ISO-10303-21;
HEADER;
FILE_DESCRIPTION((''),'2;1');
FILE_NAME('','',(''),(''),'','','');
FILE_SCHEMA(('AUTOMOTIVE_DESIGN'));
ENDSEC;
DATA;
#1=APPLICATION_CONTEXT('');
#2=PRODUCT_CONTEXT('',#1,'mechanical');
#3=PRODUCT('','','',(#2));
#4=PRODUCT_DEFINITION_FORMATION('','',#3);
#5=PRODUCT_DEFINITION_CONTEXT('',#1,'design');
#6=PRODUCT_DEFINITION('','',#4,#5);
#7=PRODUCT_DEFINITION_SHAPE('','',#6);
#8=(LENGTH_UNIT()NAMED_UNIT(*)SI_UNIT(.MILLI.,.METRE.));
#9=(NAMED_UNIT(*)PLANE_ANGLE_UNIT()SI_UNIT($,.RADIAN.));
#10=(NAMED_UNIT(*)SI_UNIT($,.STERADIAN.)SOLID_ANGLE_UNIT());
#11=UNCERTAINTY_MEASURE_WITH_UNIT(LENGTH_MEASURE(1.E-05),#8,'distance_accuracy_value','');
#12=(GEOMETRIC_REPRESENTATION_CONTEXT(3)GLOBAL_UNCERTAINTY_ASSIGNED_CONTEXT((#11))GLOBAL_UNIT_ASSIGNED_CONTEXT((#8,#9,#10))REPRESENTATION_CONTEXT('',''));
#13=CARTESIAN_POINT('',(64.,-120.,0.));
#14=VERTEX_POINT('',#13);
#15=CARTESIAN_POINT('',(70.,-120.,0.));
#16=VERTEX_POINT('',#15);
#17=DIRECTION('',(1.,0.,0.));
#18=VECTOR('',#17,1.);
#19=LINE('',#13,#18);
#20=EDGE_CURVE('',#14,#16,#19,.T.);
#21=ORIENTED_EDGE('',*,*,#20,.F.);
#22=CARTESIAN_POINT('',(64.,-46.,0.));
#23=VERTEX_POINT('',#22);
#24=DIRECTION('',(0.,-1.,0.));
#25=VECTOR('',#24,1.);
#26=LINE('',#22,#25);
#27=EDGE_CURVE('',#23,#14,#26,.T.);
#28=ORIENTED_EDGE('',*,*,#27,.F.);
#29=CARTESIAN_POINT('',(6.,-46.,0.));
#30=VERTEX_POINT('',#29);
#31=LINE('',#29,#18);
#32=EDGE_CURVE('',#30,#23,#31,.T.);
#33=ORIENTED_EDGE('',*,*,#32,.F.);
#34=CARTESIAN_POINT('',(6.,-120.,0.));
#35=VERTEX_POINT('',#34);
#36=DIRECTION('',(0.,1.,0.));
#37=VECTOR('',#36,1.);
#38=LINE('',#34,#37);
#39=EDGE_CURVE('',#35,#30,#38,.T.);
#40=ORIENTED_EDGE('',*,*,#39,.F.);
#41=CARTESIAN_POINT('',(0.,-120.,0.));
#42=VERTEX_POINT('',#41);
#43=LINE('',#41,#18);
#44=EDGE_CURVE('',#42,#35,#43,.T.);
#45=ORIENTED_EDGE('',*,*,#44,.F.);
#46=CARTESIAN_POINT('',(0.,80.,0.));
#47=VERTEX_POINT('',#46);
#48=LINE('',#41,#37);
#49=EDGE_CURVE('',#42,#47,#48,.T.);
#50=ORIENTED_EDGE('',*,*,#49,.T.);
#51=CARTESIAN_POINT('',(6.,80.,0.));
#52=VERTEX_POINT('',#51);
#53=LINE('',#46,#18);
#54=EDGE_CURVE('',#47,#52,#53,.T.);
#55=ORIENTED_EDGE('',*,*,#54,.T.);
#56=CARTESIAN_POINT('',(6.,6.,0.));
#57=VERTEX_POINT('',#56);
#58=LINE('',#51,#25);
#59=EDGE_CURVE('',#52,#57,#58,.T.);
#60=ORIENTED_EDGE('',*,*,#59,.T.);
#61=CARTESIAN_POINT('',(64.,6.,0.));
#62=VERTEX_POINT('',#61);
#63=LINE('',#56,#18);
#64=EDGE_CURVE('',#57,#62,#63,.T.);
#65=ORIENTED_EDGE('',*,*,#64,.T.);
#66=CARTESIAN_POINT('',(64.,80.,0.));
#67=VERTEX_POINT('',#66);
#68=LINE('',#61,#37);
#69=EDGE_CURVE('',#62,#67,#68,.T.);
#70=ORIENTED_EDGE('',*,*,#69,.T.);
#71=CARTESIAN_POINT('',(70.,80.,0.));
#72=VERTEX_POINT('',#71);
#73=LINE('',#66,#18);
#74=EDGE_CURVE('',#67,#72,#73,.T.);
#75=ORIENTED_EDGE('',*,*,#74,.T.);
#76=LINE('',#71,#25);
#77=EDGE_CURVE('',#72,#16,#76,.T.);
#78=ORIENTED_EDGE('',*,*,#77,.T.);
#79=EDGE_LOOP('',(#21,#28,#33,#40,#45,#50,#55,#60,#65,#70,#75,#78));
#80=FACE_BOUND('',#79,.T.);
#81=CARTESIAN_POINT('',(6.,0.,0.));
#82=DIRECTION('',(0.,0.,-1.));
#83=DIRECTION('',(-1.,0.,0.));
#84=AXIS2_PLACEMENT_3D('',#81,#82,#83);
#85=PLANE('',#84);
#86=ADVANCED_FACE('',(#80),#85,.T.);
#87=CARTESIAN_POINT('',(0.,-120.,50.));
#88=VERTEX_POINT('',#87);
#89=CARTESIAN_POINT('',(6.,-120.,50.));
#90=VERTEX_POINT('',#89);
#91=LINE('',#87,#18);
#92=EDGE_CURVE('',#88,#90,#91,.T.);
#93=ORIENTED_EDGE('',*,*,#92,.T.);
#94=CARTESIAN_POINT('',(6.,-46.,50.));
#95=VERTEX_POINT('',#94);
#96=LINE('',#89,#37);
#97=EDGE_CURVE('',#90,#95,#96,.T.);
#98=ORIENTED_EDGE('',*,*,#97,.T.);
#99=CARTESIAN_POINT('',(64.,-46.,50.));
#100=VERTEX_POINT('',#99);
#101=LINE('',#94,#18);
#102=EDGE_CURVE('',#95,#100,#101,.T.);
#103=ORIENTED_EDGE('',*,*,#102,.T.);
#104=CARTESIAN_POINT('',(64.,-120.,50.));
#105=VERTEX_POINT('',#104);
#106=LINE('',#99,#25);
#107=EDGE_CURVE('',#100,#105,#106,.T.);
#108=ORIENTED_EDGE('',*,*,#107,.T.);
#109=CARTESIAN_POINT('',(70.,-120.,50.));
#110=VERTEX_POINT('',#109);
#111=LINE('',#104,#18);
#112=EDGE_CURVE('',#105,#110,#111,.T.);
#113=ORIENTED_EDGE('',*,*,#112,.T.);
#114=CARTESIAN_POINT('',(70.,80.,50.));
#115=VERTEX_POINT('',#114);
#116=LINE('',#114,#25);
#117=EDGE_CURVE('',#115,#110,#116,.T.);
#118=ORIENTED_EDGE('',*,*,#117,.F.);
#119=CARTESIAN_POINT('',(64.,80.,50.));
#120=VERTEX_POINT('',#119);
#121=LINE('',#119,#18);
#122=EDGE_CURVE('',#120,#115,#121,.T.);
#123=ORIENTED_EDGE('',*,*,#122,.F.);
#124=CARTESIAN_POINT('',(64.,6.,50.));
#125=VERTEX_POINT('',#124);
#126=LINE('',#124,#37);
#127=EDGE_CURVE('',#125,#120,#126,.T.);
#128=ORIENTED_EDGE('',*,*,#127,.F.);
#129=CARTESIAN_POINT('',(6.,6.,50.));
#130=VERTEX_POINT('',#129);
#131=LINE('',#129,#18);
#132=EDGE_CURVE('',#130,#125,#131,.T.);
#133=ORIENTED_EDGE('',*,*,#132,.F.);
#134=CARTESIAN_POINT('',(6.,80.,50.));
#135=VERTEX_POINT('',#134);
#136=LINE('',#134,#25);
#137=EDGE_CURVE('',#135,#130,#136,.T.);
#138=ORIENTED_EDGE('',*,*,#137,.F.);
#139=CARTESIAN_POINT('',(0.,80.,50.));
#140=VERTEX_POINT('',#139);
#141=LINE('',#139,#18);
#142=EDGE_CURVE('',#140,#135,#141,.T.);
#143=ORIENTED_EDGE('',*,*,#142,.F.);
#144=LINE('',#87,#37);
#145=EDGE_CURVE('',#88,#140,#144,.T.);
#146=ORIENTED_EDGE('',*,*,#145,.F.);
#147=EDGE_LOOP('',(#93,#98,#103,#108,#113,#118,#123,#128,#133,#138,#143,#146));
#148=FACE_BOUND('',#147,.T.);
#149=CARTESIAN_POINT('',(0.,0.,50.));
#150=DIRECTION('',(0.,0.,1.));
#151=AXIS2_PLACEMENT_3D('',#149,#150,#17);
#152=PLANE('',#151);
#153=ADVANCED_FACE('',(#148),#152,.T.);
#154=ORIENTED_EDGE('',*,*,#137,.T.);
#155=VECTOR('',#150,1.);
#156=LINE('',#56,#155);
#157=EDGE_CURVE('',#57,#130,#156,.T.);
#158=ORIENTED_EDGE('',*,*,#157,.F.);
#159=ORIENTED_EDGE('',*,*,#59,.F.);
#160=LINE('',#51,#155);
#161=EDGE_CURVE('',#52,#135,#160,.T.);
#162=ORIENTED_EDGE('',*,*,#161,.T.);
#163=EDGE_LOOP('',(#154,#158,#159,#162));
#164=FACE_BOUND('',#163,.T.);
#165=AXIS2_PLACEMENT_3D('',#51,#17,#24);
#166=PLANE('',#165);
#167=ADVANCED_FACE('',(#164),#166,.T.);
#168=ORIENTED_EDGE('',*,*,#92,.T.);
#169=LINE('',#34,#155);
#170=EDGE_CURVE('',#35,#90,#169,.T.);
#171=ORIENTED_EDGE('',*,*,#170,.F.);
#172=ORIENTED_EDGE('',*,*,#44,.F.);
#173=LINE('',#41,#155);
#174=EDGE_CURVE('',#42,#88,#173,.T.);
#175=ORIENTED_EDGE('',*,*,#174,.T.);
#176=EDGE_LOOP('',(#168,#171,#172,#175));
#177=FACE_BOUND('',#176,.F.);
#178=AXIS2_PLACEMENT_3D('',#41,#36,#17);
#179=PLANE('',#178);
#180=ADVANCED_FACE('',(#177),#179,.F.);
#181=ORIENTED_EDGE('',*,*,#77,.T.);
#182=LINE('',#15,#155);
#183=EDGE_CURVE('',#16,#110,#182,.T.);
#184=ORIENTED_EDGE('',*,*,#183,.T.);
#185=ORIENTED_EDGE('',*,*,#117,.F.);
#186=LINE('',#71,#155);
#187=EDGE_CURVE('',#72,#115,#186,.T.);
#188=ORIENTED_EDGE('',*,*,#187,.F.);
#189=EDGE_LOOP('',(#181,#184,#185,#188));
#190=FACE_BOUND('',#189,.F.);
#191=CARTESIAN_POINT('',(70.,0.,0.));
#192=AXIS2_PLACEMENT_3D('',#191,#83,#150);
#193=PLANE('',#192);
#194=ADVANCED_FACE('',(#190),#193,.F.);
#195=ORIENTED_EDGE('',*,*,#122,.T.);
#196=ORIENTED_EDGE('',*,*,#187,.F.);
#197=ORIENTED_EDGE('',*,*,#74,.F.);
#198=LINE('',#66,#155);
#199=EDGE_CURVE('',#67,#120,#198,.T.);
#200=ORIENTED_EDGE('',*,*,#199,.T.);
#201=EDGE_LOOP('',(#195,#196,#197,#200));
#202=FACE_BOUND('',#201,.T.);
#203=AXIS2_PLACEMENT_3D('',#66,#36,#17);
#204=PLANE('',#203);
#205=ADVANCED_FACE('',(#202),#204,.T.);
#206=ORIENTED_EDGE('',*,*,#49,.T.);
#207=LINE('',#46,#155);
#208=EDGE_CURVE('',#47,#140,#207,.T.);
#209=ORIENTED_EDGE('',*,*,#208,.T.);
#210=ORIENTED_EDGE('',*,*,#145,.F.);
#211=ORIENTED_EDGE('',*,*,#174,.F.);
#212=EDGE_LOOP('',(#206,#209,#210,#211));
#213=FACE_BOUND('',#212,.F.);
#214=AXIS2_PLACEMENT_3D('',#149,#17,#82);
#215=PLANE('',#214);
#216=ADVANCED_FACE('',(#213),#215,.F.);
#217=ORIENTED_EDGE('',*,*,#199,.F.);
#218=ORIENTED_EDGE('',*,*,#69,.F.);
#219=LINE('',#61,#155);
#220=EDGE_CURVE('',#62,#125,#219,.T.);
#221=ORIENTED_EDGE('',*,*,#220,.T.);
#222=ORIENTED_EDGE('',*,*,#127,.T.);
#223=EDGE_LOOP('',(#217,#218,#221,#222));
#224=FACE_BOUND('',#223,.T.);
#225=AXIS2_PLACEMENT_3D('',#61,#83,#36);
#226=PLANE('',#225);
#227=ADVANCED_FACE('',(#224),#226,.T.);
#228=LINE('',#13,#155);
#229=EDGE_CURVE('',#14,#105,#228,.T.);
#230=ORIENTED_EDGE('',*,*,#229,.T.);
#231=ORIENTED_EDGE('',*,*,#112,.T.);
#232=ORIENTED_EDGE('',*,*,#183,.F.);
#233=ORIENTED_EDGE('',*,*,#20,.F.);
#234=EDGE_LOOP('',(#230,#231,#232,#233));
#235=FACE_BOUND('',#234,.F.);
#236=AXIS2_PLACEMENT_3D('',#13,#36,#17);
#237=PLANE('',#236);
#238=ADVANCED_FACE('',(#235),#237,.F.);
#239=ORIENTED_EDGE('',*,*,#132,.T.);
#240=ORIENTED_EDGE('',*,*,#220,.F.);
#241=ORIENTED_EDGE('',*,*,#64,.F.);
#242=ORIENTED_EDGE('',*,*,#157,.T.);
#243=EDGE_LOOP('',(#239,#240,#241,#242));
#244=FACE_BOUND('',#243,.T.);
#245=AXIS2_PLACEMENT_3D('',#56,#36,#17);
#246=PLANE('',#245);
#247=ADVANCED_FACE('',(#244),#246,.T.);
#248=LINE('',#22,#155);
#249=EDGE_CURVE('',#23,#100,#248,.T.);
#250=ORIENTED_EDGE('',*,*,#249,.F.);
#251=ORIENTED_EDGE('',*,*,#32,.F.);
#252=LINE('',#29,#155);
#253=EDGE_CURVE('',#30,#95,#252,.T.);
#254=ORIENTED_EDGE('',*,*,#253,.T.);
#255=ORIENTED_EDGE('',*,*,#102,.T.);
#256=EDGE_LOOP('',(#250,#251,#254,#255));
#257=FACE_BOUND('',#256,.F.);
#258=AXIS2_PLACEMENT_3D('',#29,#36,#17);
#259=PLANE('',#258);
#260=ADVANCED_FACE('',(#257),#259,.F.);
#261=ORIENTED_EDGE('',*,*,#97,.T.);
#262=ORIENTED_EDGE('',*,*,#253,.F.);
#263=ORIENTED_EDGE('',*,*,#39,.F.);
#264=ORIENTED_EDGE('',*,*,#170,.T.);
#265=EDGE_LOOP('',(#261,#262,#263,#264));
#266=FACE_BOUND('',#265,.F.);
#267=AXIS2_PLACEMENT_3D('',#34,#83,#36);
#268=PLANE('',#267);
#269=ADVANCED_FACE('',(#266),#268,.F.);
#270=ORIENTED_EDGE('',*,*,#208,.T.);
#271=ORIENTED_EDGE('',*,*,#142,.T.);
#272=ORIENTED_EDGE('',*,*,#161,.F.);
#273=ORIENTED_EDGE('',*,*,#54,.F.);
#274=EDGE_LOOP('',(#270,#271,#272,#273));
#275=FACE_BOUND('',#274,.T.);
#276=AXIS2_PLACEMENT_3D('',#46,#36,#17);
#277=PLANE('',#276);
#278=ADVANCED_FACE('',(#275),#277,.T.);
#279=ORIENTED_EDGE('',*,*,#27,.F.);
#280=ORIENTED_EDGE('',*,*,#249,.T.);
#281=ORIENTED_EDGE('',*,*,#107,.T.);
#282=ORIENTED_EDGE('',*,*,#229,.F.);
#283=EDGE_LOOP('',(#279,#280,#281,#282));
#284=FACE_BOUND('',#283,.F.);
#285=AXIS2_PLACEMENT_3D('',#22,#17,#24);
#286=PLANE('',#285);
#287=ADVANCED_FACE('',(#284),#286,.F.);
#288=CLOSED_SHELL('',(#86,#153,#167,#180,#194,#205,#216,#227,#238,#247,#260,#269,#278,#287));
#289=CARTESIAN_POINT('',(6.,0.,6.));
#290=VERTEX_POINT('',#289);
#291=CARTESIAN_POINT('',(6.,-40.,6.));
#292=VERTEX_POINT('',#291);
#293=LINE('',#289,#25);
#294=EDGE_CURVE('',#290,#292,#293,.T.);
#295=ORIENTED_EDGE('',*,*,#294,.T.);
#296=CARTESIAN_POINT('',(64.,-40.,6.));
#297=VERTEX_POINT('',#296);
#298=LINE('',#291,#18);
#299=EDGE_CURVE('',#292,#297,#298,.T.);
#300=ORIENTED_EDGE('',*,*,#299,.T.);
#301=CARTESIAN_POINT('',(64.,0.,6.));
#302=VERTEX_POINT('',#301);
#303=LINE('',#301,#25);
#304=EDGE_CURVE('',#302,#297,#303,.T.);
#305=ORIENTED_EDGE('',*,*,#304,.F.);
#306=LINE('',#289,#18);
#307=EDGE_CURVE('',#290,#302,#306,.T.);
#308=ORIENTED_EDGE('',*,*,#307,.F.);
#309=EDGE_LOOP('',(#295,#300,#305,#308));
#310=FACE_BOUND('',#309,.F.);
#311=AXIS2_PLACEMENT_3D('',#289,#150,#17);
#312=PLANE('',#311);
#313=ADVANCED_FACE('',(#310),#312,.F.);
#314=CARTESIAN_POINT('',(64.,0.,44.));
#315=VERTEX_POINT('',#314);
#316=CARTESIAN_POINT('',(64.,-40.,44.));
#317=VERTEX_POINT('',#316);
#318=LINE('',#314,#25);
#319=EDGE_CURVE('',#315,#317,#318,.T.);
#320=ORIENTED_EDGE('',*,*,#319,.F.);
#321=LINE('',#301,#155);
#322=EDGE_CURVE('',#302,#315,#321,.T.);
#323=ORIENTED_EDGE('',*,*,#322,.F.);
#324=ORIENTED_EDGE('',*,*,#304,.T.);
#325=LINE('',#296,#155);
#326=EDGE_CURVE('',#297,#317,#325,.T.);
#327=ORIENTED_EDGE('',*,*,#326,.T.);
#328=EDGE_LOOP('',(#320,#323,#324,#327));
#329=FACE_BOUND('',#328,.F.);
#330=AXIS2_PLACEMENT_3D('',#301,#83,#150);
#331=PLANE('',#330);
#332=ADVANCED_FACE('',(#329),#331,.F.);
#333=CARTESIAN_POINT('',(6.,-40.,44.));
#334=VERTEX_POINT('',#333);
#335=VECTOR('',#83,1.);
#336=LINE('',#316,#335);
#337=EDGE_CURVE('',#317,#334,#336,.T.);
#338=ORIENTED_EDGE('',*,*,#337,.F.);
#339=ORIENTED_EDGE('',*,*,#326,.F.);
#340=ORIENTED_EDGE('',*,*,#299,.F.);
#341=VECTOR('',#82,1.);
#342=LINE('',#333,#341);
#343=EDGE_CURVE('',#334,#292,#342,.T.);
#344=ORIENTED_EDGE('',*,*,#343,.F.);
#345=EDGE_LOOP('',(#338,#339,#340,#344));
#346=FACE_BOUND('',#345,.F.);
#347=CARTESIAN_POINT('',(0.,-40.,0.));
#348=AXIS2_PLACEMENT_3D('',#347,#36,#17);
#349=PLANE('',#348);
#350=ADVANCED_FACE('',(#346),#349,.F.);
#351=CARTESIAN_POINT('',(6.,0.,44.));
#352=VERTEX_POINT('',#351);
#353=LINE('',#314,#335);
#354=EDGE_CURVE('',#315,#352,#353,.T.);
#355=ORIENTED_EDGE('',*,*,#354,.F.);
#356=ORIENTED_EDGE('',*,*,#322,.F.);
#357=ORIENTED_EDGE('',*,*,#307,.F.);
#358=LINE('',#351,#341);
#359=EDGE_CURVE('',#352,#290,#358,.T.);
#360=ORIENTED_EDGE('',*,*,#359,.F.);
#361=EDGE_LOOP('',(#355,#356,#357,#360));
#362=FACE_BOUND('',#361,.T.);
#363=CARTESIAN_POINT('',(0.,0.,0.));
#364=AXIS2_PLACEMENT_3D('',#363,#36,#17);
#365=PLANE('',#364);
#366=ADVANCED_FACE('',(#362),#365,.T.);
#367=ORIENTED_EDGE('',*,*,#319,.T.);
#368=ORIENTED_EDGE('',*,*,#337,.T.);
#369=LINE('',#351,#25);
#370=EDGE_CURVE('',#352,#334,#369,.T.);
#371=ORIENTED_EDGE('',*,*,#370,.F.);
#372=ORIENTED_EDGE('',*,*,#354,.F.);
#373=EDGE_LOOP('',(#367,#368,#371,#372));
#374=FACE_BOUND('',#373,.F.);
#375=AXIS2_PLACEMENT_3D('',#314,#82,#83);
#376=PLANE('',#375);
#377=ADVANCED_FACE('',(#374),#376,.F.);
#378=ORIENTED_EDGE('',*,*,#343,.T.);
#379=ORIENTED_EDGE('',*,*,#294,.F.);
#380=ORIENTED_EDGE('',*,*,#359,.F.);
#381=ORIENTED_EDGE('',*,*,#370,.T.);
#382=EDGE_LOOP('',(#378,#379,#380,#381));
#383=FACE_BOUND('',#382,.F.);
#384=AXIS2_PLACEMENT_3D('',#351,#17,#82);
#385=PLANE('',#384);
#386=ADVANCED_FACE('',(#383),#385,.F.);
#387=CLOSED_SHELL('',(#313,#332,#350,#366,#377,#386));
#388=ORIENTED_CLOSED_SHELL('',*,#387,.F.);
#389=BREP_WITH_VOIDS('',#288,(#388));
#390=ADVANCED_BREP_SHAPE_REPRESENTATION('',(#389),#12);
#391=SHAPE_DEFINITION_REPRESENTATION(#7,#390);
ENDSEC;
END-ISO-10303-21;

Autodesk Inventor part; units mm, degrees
ref_plane "YZ Plane" through (0, 0, 0) normal (1, 0, 0) x (0, 1, 0)
ref_plane "XZ Plane" through (0, 0, 0) normal (0, 1, 0) x (-1, 0, 0)
ref_plane "XY Plane" through (0, 0, 0) normal (0, 0, 1) x (1, 0, 0)
sketch "Sketch1" plane through (0, 0, 0) normal (0, 0, 1) x (1, 0, 0)
  line L0 (0, 80) -> (0, 0)
  line L1 (0, 0) -> (70, 0)
  line L2 (70, 0) -> (70, 80)
  line L3 (6, 80) -> (6, 6)
  line L4 (6, 6) -> (64, 6)
  line L5 (64, 6) -> (64, 80)
  line L6 (0, 80) -> (6, 80)
  line L7 (64, 80) -> (70, 80)
  line L8 (0, -20) -> (70, -20)
  line L9 (0, -120) -> (0, -40)
  line L10 (0, -40) -> (70, -40)
  line L11 (70, -40) -> (70, -120)
  line L12 (6, -120) -> (6, -46)
  line L13 (6, -46) -> (64, -46)
  line L14 (64, -46) -> (64, -120)
  line L15 (0, -120) -> (6, -120)
  line L16 (64, -120) -> (70, -120)
  dimension "d0" = 70
  dimension "d1" = 80
  dimension "d2" = 80
  dimension "d3" = 6
  dimension "d10" = 20
extrude "Extrusion1" add sketch "Sketch1" along normal blind 50
sketch "Sketch2" plane through (0, 0, 0) normal (0, -1, 0) x (1, 0, 0)
  line L0 (6, 0) -> (0, 0) projected
  line L1 (0, 50) -> (70, 50) projected
  line L2 (0, 0) -> (70, 0)
  line L3 (70, 0) -> (70, 50)
  line L4 (70, 50) -> (0, 50)
  line L5 (0, 50) -> (0, 0)
  line L6 (6, 6) -> (64, 6)
  line L7 (64, 6) -> (64, 44)
  line L8 (64, 44) -> (6, 44)
  line L9 (6, 44) -> (6, 6)
  dimension "d7" = 6
extrude "Extrusion2" add sketch "Sketch2" along normal blind 40
properties part number "armj3"
